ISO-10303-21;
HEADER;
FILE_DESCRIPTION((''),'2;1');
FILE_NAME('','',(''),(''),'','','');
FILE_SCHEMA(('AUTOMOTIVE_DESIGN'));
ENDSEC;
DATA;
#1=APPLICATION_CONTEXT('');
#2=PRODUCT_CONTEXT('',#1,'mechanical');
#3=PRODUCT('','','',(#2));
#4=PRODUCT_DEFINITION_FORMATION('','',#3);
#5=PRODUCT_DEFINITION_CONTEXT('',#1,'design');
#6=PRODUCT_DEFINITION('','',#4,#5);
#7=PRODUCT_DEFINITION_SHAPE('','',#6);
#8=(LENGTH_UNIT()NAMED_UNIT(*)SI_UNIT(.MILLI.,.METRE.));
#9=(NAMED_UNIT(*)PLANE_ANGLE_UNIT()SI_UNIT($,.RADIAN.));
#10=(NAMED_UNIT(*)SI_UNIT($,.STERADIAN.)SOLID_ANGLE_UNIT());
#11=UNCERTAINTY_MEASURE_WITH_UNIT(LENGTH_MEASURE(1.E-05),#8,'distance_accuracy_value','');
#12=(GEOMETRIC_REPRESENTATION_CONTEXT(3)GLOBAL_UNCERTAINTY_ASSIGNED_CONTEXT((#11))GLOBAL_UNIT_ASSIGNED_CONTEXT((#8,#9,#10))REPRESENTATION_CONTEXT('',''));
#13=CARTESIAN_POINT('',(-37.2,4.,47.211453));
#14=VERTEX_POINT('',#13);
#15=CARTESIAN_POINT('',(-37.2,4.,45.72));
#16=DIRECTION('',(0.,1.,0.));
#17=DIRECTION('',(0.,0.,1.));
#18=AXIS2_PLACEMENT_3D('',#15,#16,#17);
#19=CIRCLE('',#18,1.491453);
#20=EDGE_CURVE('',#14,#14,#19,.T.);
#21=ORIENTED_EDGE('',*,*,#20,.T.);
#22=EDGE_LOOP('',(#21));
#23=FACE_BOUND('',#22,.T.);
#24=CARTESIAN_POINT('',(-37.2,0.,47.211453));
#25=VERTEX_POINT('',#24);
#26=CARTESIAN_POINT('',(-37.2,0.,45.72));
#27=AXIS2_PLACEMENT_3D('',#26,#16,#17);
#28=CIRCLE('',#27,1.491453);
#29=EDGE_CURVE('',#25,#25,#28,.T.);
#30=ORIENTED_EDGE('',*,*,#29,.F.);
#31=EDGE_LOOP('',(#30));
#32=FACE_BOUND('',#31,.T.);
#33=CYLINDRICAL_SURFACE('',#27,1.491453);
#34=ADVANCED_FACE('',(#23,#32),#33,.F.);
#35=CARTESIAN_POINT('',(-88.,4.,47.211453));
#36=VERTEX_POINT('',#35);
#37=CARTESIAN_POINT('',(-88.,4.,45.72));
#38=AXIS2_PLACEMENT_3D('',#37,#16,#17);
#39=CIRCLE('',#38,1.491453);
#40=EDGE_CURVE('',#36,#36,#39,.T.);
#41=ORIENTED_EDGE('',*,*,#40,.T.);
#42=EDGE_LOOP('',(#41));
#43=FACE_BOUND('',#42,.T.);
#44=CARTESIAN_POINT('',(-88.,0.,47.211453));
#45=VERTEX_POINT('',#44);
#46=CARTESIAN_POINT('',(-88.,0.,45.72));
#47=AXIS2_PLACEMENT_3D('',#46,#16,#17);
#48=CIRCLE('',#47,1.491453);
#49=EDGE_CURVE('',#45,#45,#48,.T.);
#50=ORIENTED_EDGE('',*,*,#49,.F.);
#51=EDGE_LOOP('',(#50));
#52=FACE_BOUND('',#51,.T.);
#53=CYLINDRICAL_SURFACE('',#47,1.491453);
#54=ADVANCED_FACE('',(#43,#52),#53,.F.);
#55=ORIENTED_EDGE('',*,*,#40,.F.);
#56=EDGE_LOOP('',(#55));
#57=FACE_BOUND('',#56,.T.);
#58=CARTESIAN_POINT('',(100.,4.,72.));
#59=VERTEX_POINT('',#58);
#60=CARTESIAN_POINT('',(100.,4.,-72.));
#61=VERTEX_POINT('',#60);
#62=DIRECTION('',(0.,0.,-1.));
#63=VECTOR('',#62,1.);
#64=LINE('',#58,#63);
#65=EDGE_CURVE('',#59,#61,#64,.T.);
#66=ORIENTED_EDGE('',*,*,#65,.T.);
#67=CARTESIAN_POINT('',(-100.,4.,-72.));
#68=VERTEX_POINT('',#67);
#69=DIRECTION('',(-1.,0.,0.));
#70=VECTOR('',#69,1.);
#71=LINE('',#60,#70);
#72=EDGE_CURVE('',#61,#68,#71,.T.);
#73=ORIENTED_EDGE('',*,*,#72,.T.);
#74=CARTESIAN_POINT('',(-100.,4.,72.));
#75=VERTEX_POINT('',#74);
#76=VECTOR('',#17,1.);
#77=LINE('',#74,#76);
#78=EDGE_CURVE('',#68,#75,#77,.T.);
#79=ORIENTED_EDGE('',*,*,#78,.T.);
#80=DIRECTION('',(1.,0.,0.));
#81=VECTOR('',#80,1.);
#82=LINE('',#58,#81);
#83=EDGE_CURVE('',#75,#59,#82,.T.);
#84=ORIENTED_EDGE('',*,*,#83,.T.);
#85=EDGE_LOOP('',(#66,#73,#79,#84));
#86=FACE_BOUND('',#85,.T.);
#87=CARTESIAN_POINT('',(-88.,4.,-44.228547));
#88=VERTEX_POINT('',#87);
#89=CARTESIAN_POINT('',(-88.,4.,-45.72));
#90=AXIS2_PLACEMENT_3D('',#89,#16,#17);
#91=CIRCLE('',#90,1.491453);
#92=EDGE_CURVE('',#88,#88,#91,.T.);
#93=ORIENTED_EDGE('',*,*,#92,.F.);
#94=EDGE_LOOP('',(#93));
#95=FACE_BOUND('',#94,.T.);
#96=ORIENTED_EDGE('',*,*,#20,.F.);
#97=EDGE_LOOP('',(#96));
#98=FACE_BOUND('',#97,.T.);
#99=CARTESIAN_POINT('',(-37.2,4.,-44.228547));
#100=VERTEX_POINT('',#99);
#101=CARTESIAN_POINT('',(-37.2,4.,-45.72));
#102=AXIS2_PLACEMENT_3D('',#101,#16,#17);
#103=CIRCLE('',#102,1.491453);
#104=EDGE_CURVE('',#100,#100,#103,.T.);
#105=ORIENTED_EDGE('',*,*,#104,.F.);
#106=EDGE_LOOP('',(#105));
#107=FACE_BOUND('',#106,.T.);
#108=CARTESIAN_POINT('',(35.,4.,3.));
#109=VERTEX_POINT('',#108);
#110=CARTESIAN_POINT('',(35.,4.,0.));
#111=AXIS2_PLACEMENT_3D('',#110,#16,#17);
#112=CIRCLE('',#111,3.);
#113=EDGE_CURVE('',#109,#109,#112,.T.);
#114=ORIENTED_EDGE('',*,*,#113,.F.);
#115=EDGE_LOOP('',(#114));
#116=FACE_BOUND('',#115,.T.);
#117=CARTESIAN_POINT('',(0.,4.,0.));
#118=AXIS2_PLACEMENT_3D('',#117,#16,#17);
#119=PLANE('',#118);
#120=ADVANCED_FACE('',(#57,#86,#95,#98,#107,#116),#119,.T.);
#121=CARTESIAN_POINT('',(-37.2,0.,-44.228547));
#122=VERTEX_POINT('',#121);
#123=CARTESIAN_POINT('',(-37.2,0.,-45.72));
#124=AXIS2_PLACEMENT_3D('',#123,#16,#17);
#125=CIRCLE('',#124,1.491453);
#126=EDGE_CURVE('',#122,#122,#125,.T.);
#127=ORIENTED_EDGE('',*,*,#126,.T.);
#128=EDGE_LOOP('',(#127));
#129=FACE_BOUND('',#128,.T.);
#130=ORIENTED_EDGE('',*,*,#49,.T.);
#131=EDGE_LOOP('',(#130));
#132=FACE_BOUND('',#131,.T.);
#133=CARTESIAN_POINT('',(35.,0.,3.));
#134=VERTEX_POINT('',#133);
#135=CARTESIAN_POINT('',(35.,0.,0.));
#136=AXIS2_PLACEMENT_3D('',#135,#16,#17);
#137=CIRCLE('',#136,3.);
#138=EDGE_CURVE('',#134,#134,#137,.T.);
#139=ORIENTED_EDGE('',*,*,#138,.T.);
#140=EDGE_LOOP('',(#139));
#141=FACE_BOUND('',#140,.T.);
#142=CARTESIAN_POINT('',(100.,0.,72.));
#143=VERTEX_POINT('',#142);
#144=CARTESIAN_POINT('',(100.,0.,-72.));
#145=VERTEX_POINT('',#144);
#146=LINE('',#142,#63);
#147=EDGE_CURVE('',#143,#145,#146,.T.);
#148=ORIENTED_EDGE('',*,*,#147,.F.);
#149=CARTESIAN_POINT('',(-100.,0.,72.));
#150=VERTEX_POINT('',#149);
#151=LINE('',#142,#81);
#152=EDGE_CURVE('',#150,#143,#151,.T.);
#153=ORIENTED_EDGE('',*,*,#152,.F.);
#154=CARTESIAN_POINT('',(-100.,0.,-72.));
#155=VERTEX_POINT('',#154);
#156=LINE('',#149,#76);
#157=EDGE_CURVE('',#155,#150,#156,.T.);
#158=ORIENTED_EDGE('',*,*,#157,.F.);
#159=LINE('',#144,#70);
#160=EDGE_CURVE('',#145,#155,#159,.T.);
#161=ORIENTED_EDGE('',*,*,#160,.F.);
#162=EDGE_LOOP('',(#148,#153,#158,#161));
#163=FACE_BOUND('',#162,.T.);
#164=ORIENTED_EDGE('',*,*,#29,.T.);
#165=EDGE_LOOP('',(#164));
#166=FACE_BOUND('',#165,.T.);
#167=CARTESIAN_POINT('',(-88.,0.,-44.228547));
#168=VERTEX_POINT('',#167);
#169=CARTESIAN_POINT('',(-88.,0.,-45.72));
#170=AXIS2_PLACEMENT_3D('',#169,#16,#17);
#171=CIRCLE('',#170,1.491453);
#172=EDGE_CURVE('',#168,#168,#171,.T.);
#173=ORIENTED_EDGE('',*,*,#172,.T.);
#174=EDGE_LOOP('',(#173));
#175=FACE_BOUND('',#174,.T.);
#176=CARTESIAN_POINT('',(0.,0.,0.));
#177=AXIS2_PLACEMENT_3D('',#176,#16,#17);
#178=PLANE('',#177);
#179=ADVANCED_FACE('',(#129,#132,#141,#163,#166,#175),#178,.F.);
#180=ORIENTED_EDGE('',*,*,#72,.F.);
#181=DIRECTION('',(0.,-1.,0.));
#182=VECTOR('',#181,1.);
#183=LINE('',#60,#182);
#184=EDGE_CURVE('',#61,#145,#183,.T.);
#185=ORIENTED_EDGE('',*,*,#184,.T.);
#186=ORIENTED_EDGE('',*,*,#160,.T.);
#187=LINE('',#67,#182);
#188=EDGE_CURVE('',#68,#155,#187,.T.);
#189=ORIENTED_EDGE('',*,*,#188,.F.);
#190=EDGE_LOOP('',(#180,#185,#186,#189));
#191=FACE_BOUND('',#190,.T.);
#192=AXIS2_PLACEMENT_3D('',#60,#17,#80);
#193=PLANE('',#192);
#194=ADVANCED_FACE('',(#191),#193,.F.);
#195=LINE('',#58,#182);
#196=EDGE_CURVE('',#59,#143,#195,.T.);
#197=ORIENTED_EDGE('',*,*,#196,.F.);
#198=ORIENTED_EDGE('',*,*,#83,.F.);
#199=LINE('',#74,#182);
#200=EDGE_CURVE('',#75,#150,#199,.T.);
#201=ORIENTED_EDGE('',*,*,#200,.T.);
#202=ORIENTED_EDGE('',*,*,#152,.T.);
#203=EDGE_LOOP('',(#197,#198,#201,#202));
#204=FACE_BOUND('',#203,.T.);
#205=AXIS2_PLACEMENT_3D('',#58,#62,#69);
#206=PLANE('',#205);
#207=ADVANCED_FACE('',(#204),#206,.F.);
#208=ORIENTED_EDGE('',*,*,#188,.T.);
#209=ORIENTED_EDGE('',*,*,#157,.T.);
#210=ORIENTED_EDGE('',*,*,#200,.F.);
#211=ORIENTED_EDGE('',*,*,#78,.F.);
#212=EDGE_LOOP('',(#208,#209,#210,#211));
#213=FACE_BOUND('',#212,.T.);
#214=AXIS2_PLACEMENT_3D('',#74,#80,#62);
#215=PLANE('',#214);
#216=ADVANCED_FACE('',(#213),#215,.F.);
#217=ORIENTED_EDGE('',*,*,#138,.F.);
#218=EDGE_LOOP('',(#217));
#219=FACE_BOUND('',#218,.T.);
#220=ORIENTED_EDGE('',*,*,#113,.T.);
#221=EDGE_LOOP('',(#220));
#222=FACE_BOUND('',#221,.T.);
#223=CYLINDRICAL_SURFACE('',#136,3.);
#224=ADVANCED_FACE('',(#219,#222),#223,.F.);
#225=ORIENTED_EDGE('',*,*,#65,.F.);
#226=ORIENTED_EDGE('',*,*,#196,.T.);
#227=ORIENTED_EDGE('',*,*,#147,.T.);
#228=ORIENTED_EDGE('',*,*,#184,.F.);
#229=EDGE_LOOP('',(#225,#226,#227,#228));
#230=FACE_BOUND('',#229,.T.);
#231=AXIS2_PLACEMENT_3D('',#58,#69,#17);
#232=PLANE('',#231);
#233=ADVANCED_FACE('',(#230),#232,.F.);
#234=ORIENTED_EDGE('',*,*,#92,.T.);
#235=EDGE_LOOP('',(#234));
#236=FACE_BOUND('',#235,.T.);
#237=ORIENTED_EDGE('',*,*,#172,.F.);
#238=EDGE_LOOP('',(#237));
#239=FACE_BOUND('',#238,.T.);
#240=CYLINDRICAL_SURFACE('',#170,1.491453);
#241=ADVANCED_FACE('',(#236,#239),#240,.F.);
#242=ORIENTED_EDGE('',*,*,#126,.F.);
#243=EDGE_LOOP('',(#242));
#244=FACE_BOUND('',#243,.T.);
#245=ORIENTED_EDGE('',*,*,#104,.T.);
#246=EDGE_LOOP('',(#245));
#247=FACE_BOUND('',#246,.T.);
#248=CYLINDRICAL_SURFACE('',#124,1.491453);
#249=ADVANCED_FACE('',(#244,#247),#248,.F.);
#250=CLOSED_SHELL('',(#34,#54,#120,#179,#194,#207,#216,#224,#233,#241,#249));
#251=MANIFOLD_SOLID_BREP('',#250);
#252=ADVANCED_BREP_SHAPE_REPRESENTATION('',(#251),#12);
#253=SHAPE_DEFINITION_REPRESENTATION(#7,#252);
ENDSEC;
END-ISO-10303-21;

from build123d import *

# Parameters (mm, degrees)
SKETCH1_W           = 200
SKETCH1_H           = 144
BOSS_EXTRUDE1_DEPTH = 4
SKETCH2_R           = 3
SKETCH2_R_2         = 1.491452975
CUT_EXTRUDE1_DEPTH  = 124.288280059


with BuildPart() as part:
    # Sketch1 → Boss-Extrude1 (new body)
    with BuildSketch(Plane(origin=(0, 0, 0), x_dir=(1, 0, 0), z_dir=(0, 1, 0))):
        Rectangle(SKETCH1_W, SKETCH1_H)
    extrude(amount=BOSS_EXTRUDE1_DEPTH)

    # Sketch2 → Cut-Extrude1 (cut, through all)
    with BuildSketch(Plane(origin=(0, 4, 0), x_dir=(1, 0, 0), z_dir=(0, 1, 0))):
        with Locations(Location((35, 0, 0), (0, 0, 270))):
            Circle(SKETCH2_R)
        with Locations(Location((-88, 45.72, 0), (0, 0, 270))):
            Circle(SKETCH2_R_2)
        with Locations(Location((-37.2, 45.72, 0), (0, 0, 270))):
            Circle(SKETCH2_R_2)
        with Locations(Location((-37.2, -45.72, 0), (0, 0, 270))):
            Circle(SKETCH2_R_2)
        with Locations(Location((-88, -45.72, 0), (0, 0, 270))):
            Circle(SKETCH2_R_2)
    extrude(amount=-CUT_EXTRUDE1_DEPTH, mode=Mode.SUBTRACT)


solid = part.part
